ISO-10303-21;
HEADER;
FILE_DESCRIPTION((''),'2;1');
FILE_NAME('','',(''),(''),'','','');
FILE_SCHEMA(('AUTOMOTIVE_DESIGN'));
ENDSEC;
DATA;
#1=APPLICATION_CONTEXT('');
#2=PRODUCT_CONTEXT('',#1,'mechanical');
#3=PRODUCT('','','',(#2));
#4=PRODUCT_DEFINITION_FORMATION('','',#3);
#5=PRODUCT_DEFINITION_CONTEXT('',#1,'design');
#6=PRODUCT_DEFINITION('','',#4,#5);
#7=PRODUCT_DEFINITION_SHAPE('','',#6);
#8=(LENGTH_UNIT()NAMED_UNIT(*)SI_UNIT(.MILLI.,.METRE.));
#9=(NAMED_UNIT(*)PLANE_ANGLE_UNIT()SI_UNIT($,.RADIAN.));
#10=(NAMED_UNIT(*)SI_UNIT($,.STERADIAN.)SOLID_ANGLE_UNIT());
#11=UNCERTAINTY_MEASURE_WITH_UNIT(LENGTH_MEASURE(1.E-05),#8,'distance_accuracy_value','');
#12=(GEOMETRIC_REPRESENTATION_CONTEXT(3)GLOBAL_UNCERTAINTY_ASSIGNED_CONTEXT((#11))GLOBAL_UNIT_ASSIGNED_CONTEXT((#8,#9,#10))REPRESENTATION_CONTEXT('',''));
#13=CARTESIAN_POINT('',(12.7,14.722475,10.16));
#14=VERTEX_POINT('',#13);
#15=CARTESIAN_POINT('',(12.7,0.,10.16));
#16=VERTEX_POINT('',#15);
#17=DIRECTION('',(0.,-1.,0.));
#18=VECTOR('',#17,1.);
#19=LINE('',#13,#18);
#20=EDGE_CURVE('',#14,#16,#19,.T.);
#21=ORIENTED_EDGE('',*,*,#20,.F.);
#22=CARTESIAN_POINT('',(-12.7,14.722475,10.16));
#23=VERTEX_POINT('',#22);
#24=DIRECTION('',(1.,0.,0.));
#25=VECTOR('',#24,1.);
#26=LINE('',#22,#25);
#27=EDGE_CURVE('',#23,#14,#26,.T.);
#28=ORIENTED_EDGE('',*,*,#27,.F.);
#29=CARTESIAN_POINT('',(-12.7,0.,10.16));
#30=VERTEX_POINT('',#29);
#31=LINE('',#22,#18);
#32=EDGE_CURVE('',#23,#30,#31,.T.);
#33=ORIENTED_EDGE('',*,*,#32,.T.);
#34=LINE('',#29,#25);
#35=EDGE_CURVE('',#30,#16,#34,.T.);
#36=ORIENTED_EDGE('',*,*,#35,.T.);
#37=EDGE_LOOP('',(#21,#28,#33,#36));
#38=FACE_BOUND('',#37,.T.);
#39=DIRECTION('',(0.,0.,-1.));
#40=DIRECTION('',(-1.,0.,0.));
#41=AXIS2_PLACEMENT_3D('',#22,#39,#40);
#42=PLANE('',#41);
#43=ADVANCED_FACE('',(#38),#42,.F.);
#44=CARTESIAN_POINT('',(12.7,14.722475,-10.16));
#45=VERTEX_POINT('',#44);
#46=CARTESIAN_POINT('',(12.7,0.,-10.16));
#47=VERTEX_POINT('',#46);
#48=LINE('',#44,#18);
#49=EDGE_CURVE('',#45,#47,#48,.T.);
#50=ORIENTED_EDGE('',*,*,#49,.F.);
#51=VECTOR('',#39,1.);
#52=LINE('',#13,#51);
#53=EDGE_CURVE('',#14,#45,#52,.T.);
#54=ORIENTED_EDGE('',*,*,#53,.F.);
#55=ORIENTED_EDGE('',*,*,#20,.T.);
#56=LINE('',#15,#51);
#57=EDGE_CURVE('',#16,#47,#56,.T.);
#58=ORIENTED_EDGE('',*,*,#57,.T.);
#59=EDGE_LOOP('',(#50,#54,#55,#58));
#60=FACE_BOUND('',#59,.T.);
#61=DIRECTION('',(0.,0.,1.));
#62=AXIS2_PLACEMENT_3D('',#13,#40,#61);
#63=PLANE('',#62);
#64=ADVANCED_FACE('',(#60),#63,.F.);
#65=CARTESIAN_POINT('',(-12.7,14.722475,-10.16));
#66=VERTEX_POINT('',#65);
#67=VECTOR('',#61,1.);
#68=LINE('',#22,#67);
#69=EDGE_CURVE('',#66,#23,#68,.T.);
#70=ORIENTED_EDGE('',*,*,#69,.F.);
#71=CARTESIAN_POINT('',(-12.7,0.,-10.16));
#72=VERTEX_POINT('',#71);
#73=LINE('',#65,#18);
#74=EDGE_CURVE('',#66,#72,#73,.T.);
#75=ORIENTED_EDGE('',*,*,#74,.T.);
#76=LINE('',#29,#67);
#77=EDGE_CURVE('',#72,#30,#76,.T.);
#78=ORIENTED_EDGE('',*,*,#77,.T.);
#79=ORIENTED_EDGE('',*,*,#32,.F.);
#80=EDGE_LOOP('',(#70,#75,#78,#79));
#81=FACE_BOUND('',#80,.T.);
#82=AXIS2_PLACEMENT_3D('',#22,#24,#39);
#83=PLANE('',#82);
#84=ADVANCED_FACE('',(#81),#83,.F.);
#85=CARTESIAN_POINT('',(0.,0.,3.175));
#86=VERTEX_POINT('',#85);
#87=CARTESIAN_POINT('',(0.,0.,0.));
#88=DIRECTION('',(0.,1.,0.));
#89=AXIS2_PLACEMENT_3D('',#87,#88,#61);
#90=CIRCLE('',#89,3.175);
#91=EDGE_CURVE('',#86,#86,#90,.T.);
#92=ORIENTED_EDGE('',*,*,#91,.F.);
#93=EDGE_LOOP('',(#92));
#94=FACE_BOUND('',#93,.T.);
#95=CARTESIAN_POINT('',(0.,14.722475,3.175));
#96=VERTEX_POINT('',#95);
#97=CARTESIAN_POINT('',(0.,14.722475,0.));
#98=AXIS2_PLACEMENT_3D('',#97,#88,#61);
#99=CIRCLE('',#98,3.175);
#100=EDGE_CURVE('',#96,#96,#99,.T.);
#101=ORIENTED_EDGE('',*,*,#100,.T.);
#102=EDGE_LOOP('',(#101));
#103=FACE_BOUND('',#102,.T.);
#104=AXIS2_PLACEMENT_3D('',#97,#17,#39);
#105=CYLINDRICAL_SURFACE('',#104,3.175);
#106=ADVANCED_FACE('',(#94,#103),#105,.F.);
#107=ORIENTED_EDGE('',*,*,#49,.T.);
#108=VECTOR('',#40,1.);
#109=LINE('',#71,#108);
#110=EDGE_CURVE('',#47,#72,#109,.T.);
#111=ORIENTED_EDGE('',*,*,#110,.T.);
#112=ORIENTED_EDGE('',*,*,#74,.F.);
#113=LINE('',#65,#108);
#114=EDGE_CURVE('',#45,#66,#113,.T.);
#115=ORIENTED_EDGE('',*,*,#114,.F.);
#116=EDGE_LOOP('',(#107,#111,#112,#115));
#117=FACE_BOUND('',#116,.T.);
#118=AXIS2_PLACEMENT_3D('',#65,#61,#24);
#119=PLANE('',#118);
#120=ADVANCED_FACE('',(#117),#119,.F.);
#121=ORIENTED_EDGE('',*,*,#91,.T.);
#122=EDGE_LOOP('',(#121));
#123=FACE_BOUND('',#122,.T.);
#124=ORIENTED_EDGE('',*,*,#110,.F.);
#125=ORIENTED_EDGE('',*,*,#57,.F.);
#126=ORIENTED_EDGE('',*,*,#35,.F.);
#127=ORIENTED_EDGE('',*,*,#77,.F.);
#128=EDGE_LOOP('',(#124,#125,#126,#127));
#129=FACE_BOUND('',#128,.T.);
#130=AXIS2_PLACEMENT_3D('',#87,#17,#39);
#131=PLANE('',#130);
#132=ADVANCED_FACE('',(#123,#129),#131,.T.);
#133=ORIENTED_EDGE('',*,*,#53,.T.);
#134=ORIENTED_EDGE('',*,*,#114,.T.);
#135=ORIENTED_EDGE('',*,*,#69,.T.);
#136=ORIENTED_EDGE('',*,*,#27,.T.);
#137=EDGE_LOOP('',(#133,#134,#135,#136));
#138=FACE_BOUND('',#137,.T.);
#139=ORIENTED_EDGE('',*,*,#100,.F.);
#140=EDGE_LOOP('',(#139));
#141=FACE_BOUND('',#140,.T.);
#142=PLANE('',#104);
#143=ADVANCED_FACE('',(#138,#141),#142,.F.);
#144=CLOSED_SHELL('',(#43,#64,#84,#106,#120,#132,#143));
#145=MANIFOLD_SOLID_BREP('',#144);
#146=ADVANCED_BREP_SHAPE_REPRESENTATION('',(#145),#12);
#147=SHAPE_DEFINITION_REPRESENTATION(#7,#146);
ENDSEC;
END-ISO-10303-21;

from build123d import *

# Parameters (mm, degrees)
SKETCH1_W           = 25.4
SKETCH1_H           = 20.32
SKETCH1_R           = 3.175
BOSS_EXTRUDE1_DEPTH = 14.722475


with BuildPart() as part:
    # Sketch1 → Boss-Extrude1 (new body)
    with BuildSketch(Plane(origin=(0, 0, 0), x_dir=(1, 0, 0), z_dir=(0, 1, 0))):
        Rectangle(SKETCH1_W, SKETCH1_H)
        with Locations(Location((0, 0, 0), (0, 0, 270))):
            Circle(SKETCH1_R, mode=Mode.SUBTRACT)
    extrude(amount=BOSS_EXTRUDE1_DEPTH)


solid = part.part
